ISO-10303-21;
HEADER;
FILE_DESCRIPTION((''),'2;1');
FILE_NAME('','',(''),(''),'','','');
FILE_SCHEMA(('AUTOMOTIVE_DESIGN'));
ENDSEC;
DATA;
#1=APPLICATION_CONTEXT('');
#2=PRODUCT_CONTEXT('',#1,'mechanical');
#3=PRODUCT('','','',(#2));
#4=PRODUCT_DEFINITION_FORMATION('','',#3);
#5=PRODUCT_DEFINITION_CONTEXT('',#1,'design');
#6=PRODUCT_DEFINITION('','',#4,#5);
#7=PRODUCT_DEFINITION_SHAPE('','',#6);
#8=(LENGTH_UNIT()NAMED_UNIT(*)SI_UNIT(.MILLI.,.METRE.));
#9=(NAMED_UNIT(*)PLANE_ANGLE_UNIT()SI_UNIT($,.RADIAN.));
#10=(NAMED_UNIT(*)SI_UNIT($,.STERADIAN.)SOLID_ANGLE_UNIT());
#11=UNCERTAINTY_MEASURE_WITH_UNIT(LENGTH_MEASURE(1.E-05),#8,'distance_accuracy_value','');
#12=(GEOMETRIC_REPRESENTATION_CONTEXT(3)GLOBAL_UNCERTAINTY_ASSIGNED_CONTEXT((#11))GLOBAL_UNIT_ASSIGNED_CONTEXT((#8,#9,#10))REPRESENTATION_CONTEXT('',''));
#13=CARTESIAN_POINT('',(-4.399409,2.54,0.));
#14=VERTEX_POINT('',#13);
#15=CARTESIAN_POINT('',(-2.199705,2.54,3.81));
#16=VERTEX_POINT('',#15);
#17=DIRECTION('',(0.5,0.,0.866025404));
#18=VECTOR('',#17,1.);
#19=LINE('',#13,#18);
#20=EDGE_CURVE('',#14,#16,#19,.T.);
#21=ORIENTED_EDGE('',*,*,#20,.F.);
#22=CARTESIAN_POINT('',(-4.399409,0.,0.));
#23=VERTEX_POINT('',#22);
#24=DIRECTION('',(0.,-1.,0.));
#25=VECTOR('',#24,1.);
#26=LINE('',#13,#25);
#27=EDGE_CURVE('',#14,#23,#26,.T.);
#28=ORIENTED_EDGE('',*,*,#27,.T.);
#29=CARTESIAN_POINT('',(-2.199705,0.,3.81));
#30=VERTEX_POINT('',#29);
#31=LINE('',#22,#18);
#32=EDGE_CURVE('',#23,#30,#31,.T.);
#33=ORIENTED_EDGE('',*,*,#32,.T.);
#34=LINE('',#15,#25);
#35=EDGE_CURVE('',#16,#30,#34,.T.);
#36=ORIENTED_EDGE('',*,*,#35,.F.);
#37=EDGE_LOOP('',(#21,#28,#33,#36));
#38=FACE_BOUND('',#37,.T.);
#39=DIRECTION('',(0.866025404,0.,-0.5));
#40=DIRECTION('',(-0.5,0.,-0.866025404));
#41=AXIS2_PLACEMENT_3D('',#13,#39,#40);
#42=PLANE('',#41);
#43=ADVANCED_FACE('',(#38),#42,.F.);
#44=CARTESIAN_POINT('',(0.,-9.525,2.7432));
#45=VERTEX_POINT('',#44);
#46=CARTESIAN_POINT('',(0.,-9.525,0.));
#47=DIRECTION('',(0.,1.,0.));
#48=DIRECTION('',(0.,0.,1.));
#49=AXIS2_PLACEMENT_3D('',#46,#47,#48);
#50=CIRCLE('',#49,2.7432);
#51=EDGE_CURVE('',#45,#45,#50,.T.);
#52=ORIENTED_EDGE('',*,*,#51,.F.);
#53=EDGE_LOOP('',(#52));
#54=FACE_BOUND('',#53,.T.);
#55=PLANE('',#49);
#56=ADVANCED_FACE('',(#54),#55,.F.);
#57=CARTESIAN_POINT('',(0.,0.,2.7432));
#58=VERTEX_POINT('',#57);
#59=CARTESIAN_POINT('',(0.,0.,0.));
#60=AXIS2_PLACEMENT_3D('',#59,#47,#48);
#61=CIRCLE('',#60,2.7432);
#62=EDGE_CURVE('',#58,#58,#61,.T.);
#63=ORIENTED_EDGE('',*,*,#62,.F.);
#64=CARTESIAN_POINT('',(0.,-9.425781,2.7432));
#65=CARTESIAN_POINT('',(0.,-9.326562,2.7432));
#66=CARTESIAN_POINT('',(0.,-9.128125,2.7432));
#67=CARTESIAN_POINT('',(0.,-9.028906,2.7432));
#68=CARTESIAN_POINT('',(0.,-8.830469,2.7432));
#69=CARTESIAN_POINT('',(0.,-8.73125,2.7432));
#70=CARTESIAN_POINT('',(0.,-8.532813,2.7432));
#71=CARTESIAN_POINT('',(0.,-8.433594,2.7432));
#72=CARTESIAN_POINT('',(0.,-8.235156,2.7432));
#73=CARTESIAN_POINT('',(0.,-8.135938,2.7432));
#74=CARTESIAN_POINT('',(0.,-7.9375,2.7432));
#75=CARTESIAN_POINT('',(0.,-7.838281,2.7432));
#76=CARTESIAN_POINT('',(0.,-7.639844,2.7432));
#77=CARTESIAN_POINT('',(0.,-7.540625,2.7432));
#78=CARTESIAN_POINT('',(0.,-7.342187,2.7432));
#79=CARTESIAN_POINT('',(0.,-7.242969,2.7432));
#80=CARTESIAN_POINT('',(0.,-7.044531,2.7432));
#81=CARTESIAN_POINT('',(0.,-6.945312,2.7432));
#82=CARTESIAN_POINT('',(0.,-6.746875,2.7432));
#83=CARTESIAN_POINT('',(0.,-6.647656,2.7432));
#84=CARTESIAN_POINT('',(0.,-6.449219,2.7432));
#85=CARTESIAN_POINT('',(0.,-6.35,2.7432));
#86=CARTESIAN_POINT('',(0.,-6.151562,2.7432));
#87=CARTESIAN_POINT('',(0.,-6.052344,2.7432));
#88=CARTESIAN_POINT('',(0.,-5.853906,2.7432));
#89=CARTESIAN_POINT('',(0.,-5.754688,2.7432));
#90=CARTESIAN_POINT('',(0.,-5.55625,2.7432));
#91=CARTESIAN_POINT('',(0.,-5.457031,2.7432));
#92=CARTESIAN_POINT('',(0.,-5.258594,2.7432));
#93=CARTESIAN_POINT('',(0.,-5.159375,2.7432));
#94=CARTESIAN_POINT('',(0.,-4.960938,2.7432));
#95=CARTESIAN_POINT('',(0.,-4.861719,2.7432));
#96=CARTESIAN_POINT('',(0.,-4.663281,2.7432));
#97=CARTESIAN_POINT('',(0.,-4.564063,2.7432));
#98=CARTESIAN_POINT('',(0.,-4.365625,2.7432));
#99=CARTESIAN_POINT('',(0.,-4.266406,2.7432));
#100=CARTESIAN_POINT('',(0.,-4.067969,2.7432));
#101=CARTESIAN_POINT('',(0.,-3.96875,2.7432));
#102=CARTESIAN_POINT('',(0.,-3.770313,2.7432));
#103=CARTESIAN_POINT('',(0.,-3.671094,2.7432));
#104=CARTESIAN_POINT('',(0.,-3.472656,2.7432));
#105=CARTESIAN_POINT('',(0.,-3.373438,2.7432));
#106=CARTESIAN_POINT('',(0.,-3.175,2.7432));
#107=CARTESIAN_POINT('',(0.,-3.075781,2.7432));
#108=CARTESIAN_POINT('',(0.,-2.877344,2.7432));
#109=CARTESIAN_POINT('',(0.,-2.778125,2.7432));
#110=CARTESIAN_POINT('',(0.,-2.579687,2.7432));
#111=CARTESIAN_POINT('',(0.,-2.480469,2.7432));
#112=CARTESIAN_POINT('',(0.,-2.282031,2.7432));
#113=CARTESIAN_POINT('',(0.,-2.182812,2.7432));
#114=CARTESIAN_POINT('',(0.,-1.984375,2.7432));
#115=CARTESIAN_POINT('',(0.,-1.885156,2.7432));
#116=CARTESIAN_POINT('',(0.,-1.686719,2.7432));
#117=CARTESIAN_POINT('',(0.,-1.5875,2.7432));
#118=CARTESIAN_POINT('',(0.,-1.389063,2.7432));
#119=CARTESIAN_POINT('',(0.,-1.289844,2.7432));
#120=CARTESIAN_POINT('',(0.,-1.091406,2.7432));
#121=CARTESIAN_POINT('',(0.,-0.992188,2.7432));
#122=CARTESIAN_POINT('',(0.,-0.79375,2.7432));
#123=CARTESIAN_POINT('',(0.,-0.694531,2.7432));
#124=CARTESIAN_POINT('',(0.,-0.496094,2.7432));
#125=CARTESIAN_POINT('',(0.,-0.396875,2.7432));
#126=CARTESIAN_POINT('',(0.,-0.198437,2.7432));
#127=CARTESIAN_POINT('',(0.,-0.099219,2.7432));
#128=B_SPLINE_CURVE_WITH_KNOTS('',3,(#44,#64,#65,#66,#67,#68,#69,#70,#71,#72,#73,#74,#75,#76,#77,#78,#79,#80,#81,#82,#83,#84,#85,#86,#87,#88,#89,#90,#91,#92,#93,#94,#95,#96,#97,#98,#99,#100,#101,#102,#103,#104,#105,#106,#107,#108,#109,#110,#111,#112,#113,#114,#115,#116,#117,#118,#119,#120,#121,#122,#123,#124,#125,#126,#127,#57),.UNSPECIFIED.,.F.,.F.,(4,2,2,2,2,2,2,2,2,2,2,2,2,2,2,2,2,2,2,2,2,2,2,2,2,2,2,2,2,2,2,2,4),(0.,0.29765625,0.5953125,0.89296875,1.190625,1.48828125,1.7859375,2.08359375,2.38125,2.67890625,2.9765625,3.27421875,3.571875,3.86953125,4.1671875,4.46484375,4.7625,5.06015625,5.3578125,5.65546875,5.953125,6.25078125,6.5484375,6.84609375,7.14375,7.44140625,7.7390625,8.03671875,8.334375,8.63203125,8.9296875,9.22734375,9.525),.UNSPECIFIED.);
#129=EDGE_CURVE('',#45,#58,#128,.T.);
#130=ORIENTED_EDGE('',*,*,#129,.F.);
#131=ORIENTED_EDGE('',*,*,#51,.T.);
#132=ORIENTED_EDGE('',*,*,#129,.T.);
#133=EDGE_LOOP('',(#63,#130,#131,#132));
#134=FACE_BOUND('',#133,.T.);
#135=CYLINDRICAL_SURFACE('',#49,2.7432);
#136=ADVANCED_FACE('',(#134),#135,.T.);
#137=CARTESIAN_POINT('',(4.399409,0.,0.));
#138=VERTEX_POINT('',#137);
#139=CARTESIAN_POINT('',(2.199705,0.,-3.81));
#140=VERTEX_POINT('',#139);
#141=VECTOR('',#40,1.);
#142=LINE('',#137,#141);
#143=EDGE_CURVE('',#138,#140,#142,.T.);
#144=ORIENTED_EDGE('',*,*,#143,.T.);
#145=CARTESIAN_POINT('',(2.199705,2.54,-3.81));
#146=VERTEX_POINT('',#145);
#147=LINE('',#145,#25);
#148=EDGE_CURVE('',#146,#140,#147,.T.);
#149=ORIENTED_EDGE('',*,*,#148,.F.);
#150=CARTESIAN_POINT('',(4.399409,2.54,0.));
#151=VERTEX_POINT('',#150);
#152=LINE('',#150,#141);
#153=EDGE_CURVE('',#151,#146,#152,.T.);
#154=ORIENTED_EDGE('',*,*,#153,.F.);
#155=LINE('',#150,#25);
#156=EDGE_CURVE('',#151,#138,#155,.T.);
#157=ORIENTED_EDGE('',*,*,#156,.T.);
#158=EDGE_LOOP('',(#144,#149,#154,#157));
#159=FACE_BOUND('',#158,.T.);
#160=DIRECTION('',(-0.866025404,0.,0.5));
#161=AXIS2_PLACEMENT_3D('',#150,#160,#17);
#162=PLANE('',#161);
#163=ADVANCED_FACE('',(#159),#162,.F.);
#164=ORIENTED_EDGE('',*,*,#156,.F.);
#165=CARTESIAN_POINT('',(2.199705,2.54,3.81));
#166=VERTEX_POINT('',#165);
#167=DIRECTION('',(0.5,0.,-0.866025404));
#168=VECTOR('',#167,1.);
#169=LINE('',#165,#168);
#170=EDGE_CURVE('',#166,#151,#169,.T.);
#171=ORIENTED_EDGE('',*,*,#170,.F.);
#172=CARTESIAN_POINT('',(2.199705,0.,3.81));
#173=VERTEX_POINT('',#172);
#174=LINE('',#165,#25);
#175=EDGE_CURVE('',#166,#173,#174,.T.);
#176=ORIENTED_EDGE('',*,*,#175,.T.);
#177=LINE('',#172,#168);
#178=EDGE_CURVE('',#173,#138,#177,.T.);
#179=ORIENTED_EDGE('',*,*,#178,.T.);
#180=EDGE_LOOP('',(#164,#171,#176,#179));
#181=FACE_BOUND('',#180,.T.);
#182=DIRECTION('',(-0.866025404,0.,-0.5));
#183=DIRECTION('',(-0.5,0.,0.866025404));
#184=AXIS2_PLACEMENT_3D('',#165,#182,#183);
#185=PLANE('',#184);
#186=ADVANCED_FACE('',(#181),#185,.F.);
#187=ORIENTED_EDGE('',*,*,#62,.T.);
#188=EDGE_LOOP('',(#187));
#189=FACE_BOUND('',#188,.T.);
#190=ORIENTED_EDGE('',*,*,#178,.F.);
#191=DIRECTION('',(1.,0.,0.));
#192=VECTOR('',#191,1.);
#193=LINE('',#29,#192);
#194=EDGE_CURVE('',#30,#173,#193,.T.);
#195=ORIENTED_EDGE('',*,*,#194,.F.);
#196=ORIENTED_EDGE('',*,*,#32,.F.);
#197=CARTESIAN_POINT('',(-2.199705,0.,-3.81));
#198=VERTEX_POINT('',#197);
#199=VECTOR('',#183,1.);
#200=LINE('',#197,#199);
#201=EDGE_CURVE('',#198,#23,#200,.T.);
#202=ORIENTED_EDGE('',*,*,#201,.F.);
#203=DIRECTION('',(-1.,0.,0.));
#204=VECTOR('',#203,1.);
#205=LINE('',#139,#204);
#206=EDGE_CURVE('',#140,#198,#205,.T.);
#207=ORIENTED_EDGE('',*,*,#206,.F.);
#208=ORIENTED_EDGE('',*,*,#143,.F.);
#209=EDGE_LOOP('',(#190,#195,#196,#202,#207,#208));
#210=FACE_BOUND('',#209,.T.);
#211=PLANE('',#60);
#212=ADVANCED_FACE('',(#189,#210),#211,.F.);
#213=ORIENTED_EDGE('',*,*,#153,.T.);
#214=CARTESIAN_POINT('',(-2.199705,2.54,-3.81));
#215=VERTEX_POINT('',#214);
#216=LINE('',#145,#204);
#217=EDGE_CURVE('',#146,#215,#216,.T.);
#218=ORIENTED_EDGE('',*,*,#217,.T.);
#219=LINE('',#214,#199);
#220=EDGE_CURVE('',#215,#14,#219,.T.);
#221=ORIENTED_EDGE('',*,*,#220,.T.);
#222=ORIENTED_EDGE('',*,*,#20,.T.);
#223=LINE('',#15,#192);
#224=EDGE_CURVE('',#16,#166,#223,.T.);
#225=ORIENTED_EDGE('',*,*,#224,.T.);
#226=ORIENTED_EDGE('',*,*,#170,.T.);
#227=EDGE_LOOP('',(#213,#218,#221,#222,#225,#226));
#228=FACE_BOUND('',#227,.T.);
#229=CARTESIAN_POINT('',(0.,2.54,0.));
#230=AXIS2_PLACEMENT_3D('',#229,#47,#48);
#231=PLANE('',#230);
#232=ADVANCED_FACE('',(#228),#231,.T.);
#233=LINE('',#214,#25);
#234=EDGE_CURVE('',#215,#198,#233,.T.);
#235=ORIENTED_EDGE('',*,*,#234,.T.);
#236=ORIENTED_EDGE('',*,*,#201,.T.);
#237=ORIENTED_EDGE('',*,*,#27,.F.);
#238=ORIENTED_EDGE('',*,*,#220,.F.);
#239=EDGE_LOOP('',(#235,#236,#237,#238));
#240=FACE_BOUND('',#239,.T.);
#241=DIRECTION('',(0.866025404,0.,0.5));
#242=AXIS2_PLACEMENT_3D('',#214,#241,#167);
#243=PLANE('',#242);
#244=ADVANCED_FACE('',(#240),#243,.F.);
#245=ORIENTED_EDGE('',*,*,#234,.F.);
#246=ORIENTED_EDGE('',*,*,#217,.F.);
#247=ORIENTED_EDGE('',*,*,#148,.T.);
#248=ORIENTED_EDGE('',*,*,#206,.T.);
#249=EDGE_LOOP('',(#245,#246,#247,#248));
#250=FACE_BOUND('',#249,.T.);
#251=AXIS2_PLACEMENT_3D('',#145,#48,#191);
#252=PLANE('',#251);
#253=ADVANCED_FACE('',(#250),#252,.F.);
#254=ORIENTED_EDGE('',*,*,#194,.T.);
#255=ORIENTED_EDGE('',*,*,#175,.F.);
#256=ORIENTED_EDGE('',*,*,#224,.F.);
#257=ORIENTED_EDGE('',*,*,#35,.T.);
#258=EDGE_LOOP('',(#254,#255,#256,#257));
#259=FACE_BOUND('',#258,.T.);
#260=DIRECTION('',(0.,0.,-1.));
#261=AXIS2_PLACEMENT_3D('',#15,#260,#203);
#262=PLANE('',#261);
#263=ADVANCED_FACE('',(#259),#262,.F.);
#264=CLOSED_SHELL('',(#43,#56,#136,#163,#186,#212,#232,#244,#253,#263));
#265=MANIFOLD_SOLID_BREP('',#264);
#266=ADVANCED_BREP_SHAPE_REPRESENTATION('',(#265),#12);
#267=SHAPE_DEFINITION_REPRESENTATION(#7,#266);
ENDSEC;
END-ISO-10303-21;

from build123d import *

# Parameters (mm, degrees)
SKETCH1_R           = 2.7432
BOSS_EXTRUDE1_DEPTH = 9.525
BOSS_EXTRUDE2_DEPTH = 2.54


with BuildPart() as part:
    # Sketch1 → Boss-Extrude1 (new body)
    with BuildSketch(Plane(origin=(0, 0, 0), x_dir=(1, 0, 0), z_dir=(0, 1, 0))):
        with Locations(Location((0, 0, 0), (0, 0, 270))):
            Circle(SKETCH1_R)
    extrude(amount=-BOSS_EXTRUDE1_DEPTH)

    # Sketch2 → Boss-Extrude2 (add)
    with BuildSketch(Plane(origin=(0, 0, 0), x_dir=(1, 0, 0), z_dir=(0, 1, 0))):
        Polygon((4.399409051, 0), (2.199704526, 3.81), (-2.199704526, 3.81), (-4.399409051, 0), (-2.199704526, -3.81), (2.199704526, -3.81), align=None)
    extrude(amount=BOSS_EXTRUDE2_DEPTH)


solid = part.part
